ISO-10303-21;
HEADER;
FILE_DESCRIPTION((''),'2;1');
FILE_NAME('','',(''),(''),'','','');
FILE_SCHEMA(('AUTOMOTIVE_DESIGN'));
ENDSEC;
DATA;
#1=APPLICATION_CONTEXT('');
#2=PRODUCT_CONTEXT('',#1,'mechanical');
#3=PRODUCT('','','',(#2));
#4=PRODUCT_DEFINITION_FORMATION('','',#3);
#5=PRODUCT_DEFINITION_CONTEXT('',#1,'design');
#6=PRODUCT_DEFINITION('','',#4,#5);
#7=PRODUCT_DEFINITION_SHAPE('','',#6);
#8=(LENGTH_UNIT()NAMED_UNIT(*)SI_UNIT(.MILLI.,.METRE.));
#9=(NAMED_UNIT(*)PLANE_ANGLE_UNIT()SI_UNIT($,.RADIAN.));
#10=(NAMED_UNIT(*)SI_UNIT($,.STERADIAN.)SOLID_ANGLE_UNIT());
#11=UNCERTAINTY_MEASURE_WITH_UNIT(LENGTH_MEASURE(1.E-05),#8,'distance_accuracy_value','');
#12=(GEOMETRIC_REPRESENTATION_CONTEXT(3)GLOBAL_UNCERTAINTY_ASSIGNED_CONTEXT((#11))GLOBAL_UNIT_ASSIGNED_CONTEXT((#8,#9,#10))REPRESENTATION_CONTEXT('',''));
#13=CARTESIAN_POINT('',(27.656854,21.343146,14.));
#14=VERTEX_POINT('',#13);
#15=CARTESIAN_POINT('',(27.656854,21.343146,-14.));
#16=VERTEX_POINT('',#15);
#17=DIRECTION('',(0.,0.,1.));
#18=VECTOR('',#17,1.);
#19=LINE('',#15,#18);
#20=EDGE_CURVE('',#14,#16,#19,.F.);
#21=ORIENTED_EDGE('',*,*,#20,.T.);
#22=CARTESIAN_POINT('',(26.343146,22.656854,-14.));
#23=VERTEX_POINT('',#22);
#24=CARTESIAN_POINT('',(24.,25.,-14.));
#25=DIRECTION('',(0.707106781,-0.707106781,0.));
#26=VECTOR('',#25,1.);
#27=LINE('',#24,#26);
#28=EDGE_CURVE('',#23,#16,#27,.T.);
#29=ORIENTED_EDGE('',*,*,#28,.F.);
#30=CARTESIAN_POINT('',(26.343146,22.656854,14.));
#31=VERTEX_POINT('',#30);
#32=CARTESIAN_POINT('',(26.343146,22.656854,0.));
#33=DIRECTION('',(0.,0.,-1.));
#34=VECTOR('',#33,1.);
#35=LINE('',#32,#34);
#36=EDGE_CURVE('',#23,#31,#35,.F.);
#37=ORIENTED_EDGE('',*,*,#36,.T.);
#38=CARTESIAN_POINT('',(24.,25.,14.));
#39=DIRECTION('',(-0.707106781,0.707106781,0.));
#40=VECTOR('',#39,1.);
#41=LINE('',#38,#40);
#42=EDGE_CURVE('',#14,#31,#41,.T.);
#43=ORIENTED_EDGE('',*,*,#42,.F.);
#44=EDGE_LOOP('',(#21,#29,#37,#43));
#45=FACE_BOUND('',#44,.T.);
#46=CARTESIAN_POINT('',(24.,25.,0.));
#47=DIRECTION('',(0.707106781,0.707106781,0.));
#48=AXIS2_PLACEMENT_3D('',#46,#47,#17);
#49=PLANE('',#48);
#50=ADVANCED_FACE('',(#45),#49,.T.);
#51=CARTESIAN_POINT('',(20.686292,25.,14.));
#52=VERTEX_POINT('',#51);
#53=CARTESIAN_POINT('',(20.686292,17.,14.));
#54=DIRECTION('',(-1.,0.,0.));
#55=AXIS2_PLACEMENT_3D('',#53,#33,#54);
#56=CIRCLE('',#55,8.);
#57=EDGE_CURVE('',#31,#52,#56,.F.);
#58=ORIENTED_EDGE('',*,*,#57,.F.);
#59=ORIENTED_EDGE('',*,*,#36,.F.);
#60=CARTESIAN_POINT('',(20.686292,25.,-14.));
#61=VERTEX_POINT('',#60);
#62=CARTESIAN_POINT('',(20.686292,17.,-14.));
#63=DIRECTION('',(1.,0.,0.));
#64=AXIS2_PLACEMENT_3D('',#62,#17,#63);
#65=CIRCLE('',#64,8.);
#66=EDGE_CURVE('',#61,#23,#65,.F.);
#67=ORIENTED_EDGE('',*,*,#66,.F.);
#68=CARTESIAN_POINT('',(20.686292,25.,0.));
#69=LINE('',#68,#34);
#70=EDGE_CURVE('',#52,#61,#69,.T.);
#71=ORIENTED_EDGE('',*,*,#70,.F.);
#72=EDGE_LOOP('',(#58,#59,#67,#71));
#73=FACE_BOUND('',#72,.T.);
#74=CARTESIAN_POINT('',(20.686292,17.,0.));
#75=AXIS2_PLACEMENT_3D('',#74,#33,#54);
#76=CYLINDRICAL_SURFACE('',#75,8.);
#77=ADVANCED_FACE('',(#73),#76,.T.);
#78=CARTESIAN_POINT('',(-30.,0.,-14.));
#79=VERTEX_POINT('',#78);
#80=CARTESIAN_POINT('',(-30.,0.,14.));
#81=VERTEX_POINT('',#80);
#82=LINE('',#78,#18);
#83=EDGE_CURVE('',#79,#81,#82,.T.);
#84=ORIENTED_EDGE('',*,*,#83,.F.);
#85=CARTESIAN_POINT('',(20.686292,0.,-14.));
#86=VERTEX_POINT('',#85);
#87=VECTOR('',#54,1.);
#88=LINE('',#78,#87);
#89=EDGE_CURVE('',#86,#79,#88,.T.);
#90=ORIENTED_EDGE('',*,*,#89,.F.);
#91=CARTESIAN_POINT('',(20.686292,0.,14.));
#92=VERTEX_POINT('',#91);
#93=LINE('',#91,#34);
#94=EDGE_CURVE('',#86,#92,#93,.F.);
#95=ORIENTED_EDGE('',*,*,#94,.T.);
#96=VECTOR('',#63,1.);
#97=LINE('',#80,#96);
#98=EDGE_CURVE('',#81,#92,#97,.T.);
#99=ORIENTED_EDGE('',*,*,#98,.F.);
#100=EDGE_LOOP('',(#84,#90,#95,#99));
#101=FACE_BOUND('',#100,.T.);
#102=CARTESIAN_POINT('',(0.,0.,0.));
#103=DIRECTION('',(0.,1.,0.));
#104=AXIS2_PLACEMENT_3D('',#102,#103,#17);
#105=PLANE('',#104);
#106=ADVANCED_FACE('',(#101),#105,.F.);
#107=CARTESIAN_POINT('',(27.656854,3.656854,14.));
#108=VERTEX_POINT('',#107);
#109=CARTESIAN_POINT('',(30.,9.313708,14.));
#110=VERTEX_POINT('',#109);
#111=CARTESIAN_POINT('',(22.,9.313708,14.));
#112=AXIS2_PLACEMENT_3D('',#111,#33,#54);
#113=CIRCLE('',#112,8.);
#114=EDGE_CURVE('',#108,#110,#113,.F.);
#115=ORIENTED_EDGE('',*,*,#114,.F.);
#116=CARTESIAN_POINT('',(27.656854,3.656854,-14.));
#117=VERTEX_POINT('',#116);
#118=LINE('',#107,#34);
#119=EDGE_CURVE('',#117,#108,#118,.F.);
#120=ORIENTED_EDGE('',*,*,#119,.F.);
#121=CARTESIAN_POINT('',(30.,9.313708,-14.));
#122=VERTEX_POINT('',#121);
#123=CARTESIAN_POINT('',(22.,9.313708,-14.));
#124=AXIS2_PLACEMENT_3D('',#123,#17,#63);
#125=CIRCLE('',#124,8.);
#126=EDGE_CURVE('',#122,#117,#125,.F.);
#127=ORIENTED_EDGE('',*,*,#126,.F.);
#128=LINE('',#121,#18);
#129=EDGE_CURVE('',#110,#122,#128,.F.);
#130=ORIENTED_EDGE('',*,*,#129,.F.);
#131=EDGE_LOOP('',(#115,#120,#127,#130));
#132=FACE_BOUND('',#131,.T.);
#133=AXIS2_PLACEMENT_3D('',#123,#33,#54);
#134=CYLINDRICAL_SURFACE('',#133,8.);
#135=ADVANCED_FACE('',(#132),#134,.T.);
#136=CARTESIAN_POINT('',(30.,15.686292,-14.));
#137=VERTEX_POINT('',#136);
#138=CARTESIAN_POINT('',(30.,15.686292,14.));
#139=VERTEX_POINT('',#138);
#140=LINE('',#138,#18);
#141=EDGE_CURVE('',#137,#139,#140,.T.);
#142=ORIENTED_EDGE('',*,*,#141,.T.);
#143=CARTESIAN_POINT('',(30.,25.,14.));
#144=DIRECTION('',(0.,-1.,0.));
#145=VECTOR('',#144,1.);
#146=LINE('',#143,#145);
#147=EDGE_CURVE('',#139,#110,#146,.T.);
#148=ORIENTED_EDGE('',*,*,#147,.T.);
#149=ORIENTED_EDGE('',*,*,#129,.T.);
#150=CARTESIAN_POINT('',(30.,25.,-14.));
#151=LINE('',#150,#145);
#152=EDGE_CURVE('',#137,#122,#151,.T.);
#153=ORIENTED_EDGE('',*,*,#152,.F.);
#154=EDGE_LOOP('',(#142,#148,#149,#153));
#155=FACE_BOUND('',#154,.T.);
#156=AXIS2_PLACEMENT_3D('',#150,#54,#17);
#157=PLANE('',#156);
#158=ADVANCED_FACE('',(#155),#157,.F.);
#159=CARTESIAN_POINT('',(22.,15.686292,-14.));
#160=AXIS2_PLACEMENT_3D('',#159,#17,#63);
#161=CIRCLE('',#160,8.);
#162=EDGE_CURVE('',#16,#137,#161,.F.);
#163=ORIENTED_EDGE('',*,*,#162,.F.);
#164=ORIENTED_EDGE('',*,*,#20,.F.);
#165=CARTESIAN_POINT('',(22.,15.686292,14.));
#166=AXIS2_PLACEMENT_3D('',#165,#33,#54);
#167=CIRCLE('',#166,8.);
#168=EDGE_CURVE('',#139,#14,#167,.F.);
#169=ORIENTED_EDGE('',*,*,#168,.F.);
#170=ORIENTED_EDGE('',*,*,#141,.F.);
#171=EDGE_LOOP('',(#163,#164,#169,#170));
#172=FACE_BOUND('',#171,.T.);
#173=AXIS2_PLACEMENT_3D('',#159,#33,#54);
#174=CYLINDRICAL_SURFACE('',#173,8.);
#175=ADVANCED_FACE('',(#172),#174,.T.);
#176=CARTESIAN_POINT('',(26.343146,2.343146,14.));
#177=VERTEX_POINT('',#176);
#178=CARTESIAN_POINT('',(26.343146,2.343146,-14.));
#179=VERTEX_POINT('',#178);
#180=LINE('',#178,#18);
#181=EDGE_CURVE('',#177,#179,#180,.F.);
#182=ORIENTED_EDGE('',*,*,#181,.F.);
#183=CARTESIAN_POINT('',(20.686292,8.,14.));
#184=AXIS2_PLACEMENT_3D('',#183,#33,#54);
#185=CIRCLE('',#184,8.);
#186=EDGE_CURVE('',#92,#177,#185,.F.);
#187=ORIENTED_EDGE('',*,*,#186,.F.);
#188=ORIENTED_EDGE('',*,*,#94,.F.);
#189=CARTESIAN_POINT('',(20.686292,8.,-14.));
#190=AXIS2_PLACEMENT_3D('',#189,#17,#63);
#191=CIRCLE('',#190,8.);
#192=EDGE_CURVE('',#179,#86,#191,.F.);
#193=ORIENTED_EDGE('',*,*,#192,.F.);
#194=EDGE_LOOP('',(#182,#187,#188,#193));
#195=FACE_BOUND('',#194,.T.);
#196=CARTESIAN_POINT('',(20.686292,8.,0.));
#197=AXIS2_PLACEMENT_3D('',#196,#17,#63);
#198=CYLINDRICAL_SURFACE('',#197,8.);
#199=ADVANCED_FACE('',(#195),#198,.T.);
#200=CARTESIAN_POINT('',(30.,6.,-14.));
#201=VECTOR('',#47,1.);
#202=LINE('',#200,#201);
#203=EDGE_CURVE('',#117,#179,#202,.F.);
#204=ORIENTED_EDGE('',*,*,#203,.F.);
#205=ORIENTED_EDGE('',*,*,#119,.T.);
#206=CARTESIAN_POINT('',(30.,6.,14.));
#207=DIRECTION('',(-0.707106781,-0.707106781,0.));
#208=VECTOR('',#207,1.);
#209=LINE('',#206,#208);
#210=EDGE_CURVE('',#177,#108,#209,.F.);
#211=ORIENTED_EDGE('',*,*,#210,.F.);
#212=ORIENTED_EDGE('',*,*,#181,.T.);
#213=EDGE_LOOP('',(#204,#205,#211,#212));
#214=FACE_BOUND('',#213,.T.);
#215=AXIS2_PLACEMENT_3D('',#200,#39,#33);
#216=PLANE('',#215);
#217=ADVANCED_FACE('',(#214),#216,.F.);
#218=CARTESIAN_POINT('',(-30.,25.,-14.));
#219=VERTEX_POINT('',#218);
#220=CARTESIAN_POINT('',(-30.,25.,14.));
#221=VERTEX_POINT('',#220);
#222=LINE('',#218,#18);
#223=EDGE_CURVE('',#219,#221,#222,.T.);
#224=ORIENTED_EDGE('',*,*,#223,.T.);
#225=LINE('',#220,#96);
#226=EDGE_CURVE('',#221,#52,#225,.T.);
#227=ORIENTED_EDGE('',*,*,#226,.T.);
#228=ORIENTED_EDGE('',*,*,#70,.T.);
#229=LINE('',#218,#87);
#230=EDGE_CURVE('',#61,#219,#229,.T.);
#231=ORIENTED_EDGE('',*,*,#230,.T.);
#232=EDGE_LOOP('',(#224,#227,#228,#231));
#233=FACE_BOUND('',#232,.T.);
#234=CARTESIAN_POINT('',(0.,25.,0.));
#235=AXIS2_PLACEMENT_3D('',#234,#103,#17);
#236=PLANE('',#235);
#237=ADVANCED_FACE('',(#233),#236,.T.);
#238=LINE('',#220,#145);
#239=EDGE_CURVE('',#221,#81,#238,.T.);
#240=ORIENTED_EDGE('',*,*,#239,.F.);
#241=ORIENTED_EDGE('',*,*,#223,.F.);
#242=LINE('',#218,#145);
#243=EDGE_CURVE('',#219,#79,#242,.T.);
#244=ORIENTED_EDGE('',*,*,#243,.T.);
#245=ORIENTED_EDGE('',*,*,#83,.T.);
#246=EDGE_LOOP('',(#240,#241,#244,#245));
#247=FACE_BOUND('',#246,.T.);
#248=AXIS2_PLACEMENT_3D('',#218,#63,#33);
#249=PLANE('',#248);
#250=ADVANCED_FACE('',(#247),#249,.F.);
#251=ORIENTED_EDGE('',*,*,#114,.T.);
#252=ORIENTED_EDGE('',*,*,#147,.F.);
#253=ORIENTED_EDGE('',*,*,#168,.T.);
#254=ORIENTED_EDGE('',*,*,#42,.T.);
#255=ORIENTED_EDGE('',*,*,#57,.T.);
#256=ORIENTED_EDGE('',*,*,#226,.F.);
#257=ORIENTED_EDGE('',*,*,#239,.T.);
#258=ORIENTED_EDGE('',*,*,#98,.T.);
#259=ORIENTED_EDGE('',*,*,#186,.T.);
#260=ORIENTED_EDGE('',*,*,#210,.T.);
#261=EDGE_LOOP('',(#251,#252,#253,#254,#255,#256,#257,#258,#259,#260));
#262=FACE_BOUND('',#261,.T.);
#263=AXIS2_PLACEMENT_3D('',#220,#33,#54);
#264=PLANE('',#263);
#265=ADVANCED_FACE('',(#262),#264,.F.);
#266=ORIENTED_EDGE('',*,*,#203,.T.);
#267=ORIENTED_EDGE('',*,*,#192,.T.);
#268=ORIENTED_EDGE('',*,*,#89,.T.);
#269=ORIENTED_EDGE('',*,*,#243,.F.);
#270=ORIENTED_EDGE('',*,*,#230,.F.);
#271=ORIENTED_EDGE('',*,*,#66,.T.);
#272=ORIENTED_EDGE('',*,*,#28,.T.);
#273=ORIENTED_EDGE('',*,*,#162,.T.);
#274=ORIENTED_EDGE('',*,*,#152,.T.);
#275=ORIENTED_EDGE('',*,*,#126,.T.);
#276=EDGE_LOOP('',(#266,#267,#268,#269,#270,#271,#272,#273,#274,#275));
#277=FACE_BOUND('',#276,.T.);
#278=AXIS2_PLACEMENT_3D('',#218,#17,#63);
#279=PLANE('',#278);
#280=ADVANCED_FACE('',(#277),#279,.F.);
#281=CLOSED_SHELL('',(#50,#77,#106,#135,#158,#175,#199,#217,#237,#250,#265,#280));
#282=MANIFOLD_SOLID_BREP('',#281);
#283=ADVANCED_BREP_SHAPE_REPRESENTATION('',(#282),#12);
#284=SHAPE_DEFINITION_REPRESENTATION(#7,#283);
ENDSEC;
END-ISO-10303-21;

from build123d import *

# Parameters (mm, degrees)
SKETCH2_W           = 60
SKETCH2_H           = 28
BOSS_EXTRUDE1_DEPTH = 25
CHAMFER1_SIZE       = 6
FILLET1_R           = 8
FILLET2_R           = 8


with BuildPart() as part:
    # Sketch2 → Boss-Extrude1 (new body)
    with BuildSketch(Plane(origin=(0, 0, 0), x_dir=(1, 0, 0), z_dir=(0, 1, 0))):
        Rectangle(SKETCH2_W, SKETCH2_H)
    extrude(amount=BOSS_EXTRUDE1_DEPTH)

    # Chamfer1
    chamfer1_edges = [part.edges().sort_by_distance(p)[0] for p in [
        (30, 25, 0),
        (30, 0, 0),
    ]]
    chamfer(chamfer1_edges, length=CHAMFER1_SIZE)

    # Fillet1
    fillet1_edges = [part.edges().sort_by_distance(p)[0] for p in [
        (30, 19, 0),
        (30, 6, 0),
    ]]
    fillet(fillet1_edges, radius=FILLET1_R)

    # Fillet2
    fillet2_edges = [part.edges().sort_by_distance(p)[0] for p in [
        (24, 0, 0),
        (24, 25, 0),
    ]]
    fillet(fillet2_edges, radius=FILLET2_R)


solid = part.part
